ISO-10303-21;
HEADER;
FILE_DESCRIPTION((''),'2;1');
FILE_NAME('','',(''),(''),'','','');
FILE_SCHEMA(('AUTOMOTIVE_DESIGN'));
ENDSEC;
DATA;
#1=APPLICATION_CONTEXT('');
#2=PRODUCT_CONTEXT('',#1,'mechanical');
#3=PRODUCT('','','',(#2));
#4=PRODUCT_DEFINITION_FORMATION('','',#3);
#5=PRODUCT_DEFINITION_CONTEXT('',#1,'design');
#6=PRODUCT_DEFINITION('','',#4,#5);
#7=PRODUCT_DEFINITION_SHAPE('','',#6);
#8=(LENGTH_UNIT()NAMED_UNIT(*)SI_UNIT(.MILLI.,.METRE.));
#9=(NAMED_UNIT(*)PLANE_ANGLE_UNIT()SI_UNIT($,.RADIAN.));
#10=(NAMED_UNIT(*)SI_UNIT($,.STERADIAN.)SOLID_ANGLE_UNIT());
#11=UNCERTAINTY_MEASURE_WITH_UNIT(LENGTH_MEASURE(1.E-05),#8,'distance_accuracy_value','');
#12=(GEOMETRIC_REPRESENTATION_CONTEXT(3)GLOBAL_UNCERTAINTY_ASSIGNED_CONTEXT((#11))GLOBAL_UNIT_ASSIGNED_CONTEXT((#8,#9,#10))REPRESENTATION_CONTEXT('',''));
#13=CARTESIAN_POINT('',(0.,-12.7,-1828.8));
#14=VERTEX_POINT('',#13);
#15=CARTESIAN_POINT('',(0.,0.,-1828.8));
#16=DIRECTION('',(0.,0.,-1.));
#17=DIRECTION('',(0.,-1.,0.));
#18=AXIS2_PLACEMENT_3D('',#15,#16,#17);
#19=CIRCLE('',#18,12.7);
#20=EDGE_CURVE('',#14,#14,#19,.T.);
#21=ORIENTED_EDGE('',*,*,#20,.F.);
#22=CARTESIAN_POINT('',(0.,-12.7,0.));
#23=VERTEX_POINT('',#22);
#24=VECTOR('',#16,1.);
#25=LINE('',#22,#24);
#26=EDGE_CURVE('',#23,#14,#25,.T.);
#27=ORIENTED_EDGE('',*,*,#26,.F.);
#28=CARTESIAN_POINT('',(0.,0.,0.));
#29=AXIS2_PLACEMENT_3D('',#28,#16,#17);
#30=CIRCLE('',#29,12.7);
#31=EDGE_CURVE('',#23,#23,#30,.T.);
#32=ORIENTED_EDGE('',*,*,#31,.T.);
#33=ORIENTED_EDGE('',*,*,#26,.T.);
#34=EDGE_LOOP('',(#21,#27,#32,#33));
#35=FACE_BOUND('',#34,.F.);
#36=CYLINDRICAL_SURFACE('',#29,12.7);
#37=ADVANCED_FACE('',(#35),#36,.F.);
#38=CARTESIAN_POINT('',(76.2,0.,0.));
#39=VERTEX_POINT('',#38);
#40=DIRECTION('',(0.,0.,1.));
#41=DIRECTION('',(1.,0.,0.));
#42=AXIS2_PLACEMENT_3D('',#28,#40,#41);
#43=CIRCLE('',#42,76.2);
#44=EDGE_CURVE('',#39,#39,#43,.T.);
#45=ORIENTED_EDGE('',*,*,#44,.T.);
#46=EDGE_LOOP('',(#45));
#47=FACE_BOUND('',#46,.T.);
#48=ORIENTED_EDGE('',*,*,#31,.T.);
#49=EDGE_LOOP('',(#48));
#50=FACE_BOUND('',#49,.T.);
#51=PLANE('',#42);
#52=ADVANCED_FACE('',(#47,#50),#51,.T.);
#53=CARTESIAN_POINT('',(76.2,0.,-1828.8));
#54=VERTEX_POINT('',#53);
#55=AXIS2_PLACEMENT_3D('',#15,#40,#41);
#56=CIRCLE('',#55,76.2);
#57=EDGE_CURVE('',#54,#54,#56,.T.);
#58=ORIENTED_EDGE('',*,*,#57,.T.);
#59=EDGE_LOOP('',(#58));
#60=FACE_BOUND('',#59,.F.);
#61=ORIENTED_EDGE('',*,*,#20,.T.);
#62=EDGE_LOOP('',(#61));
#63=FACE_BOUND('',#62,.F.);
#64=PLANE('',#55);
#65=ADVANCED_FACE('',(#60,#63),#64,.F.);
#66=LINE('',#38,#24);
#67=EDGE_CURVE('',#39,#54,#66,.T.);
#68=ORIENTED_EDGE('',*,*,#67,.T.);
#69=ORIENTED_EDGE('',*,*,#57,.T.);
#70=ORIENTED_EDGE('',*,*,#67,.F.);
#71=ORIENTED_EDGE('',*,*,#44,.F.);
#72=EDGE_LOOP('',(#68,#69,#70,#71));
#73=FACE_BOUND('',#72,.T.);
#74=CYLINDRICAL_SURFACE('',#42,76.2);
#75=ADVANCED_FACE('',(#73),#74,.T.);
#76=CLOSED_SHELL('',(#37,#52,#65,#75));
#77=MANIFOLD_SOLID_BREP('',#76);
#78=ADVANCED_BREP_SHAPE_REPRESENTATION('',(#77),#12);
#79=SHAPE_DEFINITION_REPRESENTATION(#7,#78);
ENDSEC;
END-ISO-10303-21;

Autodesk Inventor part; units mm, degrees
ref_plane "YZ Plane" through (0, 0, 0) normal (1, 0, 0) x (0, 1, 0)
ref_plane "XZ Plane" through (0, 0, 0) normal (0, 1, 0) x (-1, 0, 0)
ref_plane "XY Plane" through (0, 0, 0) normal (0, 0, 1) x (1, 0, 0)
sketch "Sketch1" plane through (0, 0, 0) normal (0, 0, 1) x (1, 0, 0)
  circle A0 centre (0, 0) radius 76.2
  dimension "d0" = 152.4
extrude "Extrusion1" add sketch "Sketch1" against normal blind 1828.8
sketch "Sketch2" plane through (0, 0, 0) normal (0, 0, 1) x (1, 0, 0)
  point P0 (0, 0)
  point P1 (0, 0)
hole "Hole1" at (0, 0, 0) direction (0, 0, -1) diameter 25.4 end through all
properties part number "Post-6-Feet" material "Wood (Walnut)"
